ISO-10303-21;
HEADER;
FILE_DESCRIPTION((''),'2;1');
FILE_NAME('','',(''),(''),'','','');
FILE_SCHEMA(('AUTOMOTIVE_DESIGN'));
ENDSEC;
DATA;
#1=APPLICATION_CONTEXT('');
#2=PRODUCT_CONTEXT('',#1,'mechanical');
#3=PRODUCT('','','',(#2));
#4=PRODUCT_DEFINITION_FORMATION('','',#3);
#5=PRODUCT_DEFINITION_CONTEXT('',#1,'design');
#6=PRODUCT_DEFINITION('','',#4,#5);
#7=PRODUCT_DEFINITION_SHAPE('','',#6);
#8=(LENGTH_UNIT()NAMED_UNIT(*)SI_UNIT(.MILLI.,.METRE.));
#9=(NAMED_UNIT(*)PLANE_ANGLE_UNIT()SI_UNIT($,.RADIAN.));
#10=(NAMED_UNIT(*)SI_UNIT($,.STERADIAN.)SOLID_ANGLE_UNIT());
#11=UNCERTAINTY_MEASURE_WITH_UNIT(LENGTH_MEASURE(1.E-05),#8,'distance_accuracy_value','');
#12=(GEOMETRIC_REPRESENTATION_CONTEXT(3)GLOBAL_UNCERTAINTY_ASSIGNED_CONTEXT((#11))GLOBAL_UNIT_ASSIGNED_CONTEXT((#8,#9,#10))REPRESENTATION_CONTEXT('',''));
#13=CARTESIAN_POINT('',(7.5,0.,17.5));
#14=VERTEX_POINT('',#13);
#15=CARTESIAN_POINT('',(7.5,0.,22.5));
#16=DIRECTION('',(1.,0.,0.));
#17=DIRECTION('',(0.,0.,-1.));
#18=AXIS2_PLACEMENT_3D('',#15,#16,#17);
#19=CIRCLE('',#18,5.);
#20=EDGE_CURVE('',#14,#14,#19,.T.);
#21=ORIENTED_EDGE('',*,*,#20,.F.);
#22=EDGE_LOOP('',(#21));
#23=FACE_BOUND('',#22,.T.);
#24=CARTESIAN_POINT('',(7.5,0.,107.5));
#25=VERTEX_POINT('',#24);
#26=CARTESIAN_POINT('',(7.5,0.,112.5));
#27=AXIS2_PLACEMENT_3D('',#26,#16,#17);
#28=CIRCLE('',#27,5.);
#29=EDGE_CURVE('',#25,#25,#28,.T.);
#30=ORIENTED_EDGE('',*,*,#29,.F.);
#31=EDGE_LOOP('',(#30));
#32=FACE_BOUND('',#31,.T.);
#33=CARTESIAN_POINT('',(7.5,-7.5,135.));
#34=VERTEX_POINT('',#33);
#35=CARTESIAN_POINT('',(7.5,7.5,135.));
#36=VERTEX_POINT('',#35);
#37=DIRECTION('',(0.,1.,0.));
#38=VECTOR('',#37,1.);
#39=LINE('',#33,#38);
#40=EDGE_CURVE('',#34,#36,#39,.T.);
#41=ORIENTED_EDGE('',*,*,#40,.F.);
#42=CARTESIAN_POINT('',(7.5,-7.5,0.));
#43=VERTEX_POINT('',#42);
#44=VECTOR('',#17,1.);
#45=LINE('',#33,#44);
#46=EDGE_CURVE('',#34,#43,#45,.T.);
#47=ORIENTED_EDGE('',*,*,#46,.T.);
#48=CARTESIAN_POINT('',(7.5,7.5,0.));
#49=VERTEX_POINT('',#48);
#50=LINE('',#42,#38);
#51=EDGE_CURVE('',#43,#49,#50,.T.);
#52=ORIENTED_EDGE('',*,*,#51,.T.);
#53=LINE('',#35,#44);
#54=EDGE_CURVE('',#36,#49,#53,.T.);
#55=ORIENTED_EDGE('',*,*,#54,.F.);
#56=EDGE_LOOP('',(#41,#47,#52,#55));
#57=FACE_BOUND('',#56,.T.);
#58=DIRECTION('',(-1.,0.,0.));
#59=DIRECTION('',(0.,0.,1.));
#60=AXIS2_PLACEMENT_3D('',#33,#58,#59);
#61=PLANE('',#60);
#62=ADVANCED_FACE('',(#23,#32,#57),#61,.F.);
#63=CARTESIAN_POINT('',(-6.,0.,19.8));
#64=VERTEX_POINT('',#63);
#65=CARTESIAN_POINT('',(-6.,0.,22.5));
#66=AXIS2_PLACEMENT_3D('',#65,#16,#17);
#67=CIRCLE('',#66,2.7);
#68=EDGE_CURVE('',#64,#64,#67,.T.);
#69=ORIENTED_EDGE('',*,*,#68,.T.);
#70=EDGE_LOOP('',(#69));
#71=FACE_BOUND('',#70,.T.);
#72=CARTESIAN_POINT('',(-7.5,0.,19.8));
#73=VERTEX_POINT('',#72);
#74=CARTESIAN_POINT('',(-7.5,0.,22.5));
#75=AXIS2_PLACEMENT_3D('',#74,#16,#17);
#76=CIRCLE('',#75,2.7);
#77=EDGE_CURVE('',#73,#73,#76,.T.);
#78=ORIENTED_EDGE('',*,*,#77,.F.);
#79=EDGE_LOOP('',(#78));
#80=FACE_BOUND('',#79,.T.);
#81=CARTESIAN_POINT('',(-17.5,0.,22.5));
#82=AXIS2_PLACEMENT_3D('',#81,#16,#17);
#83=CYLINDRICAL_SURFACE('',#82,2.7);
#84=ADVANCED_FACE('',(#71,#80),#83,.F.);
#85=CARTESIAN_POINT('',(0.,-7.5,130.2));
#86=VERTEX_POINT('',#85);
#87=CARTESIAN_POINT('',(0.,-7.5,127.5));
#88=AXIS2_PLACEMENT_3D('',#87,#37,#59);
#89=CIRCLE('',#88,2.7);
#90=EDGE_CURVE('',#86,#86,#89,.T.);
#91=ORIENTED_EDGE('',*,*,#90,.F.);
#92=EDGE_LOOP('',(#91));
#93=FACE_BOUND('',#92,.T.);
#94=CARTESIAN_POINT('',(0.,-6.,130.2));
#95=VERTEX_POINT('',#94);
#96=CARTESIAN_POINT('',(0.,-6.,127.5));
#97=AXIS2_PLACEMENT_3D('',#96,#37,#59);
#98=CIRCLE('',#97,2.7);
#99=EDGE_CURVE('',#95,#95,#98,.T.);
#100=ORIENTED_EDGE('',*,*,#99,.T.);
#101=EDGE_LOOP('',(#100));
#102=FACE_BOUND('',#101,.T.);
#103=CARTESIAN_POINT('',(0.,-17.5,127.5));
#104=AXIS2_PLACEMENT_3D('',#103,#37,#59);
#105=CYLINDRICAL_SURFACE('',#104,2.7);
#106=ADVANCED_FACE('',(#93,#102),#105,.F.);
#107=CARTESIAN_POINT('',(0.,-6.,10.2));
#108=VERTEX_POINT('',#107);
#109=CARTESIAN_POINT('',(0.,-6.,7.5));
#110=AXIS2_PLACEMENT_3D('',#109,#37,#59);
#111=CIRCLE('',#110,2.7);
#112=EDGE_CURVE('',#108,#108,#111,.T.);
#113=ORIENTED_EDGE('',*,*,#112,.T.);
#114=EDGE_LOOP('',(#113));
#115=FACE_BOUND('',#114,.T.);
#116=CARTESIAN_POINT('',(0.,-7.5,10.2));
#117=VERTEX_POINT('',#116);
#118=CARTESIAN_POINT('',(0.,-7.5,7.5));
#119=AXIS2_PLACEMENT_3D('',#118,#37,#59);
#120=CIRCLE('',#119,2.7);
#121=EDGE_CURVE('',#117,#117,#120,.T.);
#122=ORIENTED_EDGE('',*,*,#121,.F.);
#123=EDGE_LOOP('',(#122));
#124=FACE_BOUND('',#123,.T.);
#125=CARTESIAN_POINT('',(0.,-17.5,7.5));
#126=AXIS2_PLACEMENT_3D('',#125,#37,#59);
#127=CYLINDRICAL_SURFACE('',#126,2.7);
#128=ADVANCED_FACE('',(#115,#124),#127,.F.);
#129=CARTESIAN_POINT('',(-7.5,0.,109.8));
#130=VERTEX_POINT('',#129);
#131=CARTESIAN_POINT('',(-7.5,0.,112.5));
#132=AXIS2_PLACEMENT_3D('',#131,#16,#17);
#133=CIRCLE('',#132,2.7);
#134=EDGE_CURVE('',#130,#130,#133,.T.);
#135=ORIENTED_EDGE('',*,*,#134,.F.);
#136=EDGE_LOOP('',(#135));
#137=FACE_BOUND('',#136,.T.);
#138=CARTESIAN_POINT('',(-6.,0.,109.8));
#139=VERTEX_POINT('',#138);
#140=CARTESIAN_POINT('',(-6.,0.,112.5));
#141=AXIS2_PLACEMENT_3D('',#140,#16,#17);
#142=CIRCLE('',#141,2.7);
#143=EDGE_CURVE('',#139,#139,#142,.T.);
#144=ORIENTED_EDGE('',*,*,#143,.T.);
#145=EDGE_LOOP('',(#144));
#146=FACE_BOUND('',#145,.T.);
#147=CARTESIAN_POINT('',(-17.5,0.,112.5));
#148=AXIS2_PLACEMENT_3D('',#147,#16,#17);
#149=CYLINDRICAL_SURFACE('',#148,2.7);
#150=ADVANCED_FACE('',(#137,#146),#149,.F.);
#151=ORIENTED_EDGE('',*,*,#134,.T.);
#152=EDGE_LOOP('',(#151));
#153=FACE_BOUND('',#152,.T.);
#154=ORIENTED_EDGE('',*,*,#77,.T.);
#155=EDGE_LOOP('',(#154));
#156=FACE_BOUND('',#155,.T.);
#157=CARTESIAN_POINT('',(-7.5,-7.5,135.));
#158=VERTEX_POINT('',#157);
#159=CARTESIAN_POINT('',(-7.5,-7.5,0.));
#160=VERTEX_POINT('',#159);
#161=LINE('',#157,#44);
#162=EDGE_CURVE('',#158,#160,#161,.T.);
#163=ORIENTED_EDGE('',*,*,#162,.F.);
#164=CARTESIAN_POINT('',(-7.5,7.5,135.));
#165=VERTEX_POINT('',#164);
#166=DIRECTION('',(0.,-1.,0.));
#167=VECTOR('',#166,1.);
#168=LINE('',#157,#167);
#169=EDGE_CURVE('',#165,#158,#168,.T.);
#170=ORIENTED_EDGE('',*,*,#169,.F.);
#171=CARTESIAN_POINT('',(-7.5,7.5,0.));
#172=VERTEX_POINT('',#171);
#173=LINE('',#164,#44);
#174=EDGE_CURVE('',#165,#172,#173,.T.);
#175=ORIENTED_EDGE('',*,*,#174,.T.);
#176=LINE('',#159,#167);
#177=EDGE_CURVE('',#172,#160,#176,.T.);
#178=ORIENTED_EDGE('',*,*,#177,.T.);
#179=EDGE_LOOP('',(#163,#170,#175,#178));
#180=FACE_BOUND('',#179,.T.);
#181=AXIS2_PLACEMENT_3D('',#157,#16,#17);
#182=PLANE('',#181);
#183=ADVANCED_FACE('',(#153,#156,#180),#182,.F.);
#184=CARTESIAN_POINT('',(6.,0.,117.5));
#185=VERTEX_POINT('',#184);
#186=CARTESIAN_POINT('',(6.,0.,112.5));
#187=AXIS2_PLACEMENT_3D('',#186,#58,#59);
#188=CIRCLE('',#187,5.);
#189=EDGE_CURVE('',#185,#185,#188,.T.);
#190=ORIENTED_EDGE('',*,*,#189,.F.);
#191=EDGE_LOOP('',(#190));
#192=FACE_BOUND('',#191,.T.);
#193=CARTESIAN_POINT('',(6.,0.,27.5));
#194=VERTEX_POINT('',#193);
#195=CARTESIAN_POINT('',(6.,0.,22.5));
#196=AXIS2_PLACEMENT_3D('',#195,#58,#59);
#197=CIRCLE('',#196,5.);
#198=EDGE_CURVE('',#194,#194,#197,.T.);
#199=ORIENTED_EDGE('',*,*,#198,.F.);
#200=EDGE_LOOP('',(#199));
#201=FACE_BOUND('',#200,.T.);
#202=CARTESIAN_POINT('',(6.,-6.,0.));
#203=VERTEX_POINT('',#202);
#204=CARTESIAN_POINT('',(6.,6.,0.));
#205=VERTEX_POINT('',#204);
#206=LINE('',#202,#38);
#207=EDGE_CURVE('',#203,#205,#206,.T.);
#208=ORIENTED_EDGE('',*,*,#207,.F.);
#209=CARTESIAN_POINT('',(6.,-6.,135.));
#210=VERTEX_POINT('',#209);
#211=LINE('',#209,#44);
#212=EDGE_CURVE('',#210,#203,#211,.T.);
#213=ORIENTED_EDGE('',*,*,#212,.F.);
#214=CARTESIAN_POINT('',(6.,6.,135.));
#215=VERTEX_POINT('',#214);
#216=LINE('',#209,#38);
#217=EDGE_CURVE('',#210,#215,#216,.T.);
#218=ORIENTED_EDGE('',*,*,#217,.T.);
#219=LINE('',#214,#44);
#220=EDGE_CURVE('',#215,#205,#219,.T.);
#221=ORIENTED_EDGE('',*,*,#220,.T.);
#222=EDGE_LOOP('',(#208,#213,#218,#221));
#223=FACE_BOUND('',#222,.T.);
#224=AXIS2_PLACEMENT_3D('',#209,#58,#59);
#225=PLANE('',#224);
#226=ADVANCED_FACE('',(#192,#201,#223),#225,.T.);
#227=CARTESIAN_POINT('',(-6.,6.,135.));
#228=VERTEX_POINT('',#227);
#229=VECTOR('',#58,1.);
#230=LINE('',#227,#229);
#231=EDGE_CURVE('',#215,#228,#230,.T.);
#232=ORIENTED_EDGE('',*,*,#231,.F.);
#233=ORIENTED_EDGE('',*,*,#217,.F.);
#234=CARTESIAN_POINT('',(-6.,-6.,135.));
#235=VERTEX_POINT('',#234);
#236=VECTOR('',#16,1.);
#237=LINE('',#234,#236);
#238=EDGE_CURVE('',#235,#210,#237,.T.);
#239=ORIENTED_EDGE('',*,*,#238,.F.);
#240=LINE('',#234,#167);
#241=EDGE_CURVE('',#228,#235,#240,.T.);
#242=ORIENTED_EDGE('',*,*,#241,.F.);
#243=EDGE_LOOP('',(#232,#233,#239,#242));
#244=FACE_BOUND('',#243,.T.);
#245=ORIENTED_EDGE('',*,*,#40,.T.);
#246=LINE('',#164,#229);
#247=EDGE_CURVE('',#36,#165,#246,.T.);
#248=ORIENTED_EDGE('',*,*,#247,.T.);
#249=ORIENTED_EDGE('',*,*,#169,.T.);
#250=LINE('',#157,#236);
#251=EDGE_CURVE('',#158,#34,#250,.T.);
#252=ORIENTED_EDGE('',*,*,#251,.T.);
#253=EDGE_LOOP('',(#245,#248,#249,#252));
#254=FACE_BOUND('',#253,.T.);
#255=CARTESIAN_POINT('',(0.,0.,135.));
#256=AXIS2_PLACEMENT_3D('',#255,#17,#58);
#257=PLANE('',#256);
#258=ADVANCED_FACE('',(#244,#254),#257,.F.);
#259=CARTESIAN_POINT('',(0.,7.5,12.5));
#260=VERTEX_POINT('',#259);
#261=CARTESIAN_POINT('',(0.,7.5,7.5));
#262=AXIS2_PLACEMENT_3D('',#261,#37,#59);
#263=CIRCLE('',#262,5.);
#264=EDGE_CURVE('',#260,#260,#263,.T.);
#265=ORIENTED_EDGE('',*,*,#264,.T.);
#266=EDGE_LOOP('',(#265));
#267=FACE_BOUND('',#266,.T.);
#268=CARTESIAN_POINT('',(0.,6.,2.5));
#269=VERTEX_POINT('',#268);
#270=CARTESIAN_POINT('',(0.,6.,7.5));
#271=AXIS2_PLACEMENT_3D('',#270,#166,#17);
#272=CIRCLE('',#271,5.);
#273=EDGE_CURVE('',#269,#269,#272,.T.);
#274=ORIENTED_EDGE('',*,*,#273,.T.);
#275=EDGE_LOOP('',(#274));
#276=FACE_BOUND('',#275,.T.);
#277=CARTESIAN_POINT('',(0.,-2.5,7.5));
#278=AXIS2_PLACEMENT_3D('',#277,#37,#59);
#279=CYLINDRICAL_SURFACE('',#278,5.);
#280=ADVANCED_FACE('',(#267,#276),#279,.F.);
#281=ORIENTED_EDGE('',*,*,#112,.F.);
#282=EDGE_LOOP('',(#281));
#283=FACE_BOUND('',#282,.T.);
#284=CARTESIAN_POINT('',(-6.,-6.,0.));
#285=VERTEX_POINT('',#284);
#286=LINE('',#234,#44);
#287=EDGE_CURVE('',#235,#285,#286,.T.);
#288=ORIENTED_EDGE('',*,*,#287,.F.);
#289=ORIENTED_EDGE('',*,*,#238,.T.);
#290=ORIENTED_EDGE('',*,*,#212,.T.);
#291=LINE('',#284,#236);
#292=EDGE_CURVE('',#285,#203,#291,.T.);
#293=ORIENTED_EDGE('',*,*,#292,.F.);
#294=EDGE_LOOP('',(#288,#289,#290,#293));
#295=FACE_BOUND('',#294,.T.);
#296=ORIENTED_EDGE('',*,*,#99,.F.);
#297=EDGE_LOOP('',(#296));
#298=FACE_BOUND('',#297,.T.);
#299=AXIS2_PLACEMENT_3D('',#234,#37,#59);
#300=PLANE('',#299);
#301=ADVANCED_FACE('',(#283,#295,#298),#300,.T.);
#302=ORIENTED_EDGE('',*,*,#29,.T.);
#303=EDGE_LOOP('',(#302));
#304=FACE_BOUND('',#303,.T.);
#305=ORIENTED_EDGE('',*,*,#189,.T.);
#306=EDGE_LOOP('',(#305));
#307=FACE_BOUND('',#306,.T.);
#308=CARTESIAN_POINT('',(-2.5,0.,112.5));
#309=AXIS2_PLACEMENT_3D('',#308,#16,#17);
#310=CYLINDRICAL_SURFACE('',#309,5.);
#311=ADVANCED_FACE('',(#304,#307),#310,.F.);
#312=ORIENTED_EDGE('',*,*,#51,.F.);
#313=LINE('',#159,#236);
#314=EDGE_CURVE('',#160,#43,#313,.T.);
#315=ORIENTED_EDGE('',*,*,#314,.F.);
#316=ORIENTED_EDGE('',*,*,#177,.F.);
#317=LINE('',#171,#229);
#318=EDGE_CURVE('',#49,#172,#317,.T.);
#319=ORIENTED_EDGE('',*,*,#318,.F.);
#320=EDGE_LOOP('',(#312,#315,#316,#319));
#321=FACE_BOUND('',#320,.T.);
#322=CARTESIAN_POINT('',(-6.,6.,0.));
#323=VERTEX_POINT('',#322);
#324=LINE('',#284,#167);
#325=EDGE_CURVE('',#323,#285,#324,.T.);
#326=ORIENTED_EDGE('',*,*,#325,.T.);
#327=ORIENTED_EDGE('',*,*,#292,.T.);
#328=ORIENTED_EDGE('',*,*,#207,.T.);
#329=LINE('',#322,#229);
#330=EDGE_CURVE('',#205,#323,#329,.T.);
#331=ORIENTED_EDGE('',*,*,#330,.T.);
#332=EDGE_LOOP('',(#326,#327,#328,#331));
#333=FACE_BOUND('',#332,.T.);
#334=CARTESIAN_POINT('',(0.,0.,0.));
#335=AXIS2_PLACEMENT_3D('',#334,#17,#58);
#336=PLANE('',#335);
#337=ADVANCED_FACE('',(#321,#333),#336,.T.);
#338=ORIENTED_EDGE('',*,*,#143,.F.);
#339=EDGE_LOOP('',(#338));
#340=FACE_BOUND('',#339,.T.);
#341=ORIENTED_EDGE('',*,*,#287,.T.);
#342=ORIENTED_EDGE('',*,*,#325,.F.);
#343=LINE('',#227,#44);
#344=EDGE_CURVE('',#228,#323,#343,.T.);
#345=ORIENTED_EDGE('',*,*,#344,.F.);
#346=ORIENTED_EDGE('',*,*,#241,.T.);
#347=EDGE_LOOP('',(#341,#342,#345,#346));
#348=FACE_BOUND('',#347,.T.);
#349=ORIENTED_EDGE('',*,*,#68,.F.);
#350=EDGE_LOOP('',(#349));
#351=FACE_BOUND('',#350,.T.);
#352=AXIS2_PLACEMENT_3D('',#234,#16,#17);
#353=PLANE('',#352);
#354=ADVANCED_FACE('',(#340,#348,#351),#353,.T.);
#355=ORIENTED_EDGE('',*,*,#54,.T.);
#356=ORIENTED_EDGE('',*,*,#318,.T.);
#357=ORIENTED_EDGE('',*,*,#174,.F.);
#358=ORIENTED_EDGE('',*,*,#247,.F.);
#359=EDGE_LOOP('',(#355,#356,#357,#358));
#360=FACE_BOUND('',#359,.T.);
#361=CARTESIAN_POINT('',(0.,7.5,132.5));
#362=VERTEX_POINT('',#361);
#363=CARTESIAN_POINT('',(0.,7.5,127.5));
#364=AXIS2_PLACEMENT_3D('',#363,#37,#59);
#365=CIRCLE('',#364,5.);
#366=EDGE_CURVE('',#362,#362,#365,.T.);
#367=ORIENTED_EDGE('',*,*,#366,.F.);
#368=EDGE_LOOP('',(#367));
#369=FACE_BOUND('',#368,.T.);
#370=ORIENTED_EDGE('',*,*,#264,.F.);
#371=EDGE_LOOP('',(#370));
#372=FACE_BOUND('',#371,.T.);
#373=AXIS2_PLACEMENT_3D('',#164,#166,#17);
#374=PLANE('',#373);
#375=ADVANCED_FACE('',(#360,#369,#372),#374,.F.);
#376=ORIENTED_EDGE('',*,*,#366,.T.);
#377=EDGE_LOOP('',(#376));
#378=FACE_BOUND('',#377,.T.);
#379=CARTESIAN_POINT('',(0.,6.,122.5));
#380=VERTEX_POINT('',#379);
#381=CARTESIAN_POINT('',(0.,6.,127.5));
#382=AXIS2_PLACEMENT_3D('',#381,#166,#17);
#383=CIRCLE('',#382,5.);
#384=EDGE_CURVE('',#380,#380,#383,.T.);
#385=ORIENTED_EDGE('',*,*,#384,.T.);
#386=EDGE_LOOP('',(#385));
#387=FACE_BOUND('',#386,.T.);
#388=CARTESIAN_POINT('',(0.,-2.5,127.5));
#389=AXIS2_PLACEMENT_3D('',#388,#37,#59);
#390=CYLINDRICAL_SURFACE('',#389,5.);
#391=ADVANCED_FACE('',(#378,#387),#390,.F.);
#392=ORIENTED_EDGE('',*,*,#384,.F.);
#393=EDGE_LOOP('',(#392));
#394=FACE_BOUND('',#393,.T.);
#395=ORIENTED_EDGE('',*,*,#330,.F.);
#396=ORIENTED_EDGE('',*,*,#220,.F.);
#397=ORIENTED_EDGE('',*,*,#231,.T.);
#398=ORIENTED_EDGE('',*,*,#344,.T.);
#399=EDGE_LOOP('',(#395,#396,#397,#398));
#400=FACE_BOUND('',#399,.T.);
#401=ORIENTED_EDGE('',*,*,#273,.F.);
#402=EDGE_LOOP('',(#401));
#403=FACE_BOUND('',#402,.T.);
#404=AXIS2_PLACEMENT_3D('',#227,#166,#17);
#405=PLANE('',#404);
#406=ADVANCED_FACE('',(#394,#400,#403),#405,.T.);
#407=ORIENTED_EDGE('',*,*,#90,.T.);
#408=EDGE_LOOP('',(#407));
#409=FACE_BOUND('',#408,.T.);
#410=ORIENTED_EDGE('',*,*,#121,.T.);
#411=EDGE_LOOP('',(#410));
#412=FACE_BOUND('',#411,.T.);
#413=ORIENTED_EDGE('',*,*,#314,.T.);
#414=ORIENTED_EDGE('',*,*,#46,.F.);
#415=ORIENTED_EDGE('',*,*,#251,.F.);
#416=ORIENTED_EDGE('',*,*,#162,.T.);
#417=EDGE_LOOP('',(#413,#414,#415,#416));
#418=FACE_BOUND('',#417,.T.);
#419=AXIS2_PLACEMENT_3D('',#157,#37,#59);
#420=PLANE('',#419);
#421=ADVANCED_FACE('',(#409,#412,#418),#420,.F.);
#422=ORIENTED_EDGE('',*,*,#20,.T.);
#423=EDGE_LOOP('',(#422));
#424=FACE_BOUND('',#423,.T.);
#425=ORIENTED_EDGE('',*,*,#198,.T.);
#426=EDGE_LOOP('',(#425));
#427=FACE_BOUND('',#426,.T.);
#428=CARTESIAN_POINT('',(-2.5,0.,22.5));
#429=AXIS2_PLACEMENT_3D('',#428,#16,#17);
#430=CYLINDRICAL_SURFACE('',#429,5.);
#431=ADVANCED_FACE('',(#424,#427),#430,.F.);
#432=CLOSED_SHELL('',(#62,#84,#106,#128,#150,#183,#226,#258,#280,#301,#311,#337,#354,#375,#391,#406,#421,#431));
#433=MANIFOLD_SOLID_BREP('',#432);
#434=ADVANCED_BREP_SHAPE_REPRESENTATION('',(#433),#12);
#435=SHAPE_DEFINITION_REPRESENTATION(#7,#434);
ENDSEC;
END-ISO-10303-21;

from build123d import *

# Parameters (mm, degrees)
SKETCH_1_W          = 15
SKETCH_1_H          = 15
SKETCH_1_W_2        = 12
SKETCH_1_H_2        = 12
EXTRUDE_1_DEPTH     = 135
SKETCH_2_R          = 2.7
CUT_EXTRUDE_1_DEPTH = 25
SKETCH_3_R          = 2.7
CUT_EXTRUDE_2_DEPTH = 25
SKETCH_4_R          = 5
CUT_EXTRUDE_3_DEPTH = 10
SKETCH_5_R          = 5
CUT_EXTRUDE_4_DEPTH = 10


with BuildPart() as part:
    # ｽｹｯﾁ1 → ﾎﾞｽ - 押し出し1 (new body)
    with BuildSketch(Plane.XY):
        Rectangle(SKETCH_1_W, SKETCH_1_H)
        Rectangle(SKETCH_1_W_2, SKETCH_1_H_2, mode=Mode.SUBTRACT)
    extrude(amount=EXTRUDE_1_DEPTH)

    # ｽｹｯﾁ2 → ｶｯﾄ - 押し出し1 (cut)
    with BuildSketch(Plane(origin=(7.5, 0, 0), x_dir=(0, 0, -1), z_dir=(1, 0, 0))):
        with Locations((-112.5, 0)):
            Circle(SKETCH_2_R)
        with Locations((-22.5, 0)):
            Circle(SKETCH_2_R)
    extrude(amount=-CUT_EXTRUDE_1_DEPTH, mode=Mode.SUBTRACT)

    # ｽｹｯﾁ3 → ｶｯﾄ - 押し出し2 (cut)
    with BuildSketch(Plane(origin=(0, 7.5, 0), x_dir=(1, 0, 0), z_dir=(0, 1, 0))):
        with Locations((0, -7.5)):
            Circle(SKETCH_3_R)
        with Locations((0, -127.5)):
            Circle(SKETCH_3_R)
    extrude(amount=-CUT_EXTRUDE_2_DEPTH, mode=Mode.SUBTRACT)

    # ｽｹｯﾁ4 → ｶｯﾄ - 押し出し3 (cut)
    with BuildSketch(Plane(origin=(0, 7.5, 0), x_dir=(1, 0, 0), z_dir=(0, 1, 0))):
        with Locations((0, -127.5)):
            Circle(SKETCH_4_R)
        with Locations((0, -7.5)):
            Circle(SKETCH_4_R)
    extrude(amount=-CUT_EXTRUDE_3_DEPTH, mode=Mode.SUBTRACT)

    # ｽｹｯﾁ5 → ｶｯﾄ - 押し出し4 (cut)
    with BuildSketch(Plane(origin=(7.5, 0, 0), x_dir=(0, 0, -1), z_dir=(1, 0, 0))):
        with Locations((-22.5, 0)):
            Circle(SKETCH_5_R)
        with Locations((-112.5, 0)):
            Circle(SKETCH_5_R)
    extrude(amount=-CUT_EXTRUDE_4_DEPTH, mode=Mode.SUBTRACT)


solid = part.part
